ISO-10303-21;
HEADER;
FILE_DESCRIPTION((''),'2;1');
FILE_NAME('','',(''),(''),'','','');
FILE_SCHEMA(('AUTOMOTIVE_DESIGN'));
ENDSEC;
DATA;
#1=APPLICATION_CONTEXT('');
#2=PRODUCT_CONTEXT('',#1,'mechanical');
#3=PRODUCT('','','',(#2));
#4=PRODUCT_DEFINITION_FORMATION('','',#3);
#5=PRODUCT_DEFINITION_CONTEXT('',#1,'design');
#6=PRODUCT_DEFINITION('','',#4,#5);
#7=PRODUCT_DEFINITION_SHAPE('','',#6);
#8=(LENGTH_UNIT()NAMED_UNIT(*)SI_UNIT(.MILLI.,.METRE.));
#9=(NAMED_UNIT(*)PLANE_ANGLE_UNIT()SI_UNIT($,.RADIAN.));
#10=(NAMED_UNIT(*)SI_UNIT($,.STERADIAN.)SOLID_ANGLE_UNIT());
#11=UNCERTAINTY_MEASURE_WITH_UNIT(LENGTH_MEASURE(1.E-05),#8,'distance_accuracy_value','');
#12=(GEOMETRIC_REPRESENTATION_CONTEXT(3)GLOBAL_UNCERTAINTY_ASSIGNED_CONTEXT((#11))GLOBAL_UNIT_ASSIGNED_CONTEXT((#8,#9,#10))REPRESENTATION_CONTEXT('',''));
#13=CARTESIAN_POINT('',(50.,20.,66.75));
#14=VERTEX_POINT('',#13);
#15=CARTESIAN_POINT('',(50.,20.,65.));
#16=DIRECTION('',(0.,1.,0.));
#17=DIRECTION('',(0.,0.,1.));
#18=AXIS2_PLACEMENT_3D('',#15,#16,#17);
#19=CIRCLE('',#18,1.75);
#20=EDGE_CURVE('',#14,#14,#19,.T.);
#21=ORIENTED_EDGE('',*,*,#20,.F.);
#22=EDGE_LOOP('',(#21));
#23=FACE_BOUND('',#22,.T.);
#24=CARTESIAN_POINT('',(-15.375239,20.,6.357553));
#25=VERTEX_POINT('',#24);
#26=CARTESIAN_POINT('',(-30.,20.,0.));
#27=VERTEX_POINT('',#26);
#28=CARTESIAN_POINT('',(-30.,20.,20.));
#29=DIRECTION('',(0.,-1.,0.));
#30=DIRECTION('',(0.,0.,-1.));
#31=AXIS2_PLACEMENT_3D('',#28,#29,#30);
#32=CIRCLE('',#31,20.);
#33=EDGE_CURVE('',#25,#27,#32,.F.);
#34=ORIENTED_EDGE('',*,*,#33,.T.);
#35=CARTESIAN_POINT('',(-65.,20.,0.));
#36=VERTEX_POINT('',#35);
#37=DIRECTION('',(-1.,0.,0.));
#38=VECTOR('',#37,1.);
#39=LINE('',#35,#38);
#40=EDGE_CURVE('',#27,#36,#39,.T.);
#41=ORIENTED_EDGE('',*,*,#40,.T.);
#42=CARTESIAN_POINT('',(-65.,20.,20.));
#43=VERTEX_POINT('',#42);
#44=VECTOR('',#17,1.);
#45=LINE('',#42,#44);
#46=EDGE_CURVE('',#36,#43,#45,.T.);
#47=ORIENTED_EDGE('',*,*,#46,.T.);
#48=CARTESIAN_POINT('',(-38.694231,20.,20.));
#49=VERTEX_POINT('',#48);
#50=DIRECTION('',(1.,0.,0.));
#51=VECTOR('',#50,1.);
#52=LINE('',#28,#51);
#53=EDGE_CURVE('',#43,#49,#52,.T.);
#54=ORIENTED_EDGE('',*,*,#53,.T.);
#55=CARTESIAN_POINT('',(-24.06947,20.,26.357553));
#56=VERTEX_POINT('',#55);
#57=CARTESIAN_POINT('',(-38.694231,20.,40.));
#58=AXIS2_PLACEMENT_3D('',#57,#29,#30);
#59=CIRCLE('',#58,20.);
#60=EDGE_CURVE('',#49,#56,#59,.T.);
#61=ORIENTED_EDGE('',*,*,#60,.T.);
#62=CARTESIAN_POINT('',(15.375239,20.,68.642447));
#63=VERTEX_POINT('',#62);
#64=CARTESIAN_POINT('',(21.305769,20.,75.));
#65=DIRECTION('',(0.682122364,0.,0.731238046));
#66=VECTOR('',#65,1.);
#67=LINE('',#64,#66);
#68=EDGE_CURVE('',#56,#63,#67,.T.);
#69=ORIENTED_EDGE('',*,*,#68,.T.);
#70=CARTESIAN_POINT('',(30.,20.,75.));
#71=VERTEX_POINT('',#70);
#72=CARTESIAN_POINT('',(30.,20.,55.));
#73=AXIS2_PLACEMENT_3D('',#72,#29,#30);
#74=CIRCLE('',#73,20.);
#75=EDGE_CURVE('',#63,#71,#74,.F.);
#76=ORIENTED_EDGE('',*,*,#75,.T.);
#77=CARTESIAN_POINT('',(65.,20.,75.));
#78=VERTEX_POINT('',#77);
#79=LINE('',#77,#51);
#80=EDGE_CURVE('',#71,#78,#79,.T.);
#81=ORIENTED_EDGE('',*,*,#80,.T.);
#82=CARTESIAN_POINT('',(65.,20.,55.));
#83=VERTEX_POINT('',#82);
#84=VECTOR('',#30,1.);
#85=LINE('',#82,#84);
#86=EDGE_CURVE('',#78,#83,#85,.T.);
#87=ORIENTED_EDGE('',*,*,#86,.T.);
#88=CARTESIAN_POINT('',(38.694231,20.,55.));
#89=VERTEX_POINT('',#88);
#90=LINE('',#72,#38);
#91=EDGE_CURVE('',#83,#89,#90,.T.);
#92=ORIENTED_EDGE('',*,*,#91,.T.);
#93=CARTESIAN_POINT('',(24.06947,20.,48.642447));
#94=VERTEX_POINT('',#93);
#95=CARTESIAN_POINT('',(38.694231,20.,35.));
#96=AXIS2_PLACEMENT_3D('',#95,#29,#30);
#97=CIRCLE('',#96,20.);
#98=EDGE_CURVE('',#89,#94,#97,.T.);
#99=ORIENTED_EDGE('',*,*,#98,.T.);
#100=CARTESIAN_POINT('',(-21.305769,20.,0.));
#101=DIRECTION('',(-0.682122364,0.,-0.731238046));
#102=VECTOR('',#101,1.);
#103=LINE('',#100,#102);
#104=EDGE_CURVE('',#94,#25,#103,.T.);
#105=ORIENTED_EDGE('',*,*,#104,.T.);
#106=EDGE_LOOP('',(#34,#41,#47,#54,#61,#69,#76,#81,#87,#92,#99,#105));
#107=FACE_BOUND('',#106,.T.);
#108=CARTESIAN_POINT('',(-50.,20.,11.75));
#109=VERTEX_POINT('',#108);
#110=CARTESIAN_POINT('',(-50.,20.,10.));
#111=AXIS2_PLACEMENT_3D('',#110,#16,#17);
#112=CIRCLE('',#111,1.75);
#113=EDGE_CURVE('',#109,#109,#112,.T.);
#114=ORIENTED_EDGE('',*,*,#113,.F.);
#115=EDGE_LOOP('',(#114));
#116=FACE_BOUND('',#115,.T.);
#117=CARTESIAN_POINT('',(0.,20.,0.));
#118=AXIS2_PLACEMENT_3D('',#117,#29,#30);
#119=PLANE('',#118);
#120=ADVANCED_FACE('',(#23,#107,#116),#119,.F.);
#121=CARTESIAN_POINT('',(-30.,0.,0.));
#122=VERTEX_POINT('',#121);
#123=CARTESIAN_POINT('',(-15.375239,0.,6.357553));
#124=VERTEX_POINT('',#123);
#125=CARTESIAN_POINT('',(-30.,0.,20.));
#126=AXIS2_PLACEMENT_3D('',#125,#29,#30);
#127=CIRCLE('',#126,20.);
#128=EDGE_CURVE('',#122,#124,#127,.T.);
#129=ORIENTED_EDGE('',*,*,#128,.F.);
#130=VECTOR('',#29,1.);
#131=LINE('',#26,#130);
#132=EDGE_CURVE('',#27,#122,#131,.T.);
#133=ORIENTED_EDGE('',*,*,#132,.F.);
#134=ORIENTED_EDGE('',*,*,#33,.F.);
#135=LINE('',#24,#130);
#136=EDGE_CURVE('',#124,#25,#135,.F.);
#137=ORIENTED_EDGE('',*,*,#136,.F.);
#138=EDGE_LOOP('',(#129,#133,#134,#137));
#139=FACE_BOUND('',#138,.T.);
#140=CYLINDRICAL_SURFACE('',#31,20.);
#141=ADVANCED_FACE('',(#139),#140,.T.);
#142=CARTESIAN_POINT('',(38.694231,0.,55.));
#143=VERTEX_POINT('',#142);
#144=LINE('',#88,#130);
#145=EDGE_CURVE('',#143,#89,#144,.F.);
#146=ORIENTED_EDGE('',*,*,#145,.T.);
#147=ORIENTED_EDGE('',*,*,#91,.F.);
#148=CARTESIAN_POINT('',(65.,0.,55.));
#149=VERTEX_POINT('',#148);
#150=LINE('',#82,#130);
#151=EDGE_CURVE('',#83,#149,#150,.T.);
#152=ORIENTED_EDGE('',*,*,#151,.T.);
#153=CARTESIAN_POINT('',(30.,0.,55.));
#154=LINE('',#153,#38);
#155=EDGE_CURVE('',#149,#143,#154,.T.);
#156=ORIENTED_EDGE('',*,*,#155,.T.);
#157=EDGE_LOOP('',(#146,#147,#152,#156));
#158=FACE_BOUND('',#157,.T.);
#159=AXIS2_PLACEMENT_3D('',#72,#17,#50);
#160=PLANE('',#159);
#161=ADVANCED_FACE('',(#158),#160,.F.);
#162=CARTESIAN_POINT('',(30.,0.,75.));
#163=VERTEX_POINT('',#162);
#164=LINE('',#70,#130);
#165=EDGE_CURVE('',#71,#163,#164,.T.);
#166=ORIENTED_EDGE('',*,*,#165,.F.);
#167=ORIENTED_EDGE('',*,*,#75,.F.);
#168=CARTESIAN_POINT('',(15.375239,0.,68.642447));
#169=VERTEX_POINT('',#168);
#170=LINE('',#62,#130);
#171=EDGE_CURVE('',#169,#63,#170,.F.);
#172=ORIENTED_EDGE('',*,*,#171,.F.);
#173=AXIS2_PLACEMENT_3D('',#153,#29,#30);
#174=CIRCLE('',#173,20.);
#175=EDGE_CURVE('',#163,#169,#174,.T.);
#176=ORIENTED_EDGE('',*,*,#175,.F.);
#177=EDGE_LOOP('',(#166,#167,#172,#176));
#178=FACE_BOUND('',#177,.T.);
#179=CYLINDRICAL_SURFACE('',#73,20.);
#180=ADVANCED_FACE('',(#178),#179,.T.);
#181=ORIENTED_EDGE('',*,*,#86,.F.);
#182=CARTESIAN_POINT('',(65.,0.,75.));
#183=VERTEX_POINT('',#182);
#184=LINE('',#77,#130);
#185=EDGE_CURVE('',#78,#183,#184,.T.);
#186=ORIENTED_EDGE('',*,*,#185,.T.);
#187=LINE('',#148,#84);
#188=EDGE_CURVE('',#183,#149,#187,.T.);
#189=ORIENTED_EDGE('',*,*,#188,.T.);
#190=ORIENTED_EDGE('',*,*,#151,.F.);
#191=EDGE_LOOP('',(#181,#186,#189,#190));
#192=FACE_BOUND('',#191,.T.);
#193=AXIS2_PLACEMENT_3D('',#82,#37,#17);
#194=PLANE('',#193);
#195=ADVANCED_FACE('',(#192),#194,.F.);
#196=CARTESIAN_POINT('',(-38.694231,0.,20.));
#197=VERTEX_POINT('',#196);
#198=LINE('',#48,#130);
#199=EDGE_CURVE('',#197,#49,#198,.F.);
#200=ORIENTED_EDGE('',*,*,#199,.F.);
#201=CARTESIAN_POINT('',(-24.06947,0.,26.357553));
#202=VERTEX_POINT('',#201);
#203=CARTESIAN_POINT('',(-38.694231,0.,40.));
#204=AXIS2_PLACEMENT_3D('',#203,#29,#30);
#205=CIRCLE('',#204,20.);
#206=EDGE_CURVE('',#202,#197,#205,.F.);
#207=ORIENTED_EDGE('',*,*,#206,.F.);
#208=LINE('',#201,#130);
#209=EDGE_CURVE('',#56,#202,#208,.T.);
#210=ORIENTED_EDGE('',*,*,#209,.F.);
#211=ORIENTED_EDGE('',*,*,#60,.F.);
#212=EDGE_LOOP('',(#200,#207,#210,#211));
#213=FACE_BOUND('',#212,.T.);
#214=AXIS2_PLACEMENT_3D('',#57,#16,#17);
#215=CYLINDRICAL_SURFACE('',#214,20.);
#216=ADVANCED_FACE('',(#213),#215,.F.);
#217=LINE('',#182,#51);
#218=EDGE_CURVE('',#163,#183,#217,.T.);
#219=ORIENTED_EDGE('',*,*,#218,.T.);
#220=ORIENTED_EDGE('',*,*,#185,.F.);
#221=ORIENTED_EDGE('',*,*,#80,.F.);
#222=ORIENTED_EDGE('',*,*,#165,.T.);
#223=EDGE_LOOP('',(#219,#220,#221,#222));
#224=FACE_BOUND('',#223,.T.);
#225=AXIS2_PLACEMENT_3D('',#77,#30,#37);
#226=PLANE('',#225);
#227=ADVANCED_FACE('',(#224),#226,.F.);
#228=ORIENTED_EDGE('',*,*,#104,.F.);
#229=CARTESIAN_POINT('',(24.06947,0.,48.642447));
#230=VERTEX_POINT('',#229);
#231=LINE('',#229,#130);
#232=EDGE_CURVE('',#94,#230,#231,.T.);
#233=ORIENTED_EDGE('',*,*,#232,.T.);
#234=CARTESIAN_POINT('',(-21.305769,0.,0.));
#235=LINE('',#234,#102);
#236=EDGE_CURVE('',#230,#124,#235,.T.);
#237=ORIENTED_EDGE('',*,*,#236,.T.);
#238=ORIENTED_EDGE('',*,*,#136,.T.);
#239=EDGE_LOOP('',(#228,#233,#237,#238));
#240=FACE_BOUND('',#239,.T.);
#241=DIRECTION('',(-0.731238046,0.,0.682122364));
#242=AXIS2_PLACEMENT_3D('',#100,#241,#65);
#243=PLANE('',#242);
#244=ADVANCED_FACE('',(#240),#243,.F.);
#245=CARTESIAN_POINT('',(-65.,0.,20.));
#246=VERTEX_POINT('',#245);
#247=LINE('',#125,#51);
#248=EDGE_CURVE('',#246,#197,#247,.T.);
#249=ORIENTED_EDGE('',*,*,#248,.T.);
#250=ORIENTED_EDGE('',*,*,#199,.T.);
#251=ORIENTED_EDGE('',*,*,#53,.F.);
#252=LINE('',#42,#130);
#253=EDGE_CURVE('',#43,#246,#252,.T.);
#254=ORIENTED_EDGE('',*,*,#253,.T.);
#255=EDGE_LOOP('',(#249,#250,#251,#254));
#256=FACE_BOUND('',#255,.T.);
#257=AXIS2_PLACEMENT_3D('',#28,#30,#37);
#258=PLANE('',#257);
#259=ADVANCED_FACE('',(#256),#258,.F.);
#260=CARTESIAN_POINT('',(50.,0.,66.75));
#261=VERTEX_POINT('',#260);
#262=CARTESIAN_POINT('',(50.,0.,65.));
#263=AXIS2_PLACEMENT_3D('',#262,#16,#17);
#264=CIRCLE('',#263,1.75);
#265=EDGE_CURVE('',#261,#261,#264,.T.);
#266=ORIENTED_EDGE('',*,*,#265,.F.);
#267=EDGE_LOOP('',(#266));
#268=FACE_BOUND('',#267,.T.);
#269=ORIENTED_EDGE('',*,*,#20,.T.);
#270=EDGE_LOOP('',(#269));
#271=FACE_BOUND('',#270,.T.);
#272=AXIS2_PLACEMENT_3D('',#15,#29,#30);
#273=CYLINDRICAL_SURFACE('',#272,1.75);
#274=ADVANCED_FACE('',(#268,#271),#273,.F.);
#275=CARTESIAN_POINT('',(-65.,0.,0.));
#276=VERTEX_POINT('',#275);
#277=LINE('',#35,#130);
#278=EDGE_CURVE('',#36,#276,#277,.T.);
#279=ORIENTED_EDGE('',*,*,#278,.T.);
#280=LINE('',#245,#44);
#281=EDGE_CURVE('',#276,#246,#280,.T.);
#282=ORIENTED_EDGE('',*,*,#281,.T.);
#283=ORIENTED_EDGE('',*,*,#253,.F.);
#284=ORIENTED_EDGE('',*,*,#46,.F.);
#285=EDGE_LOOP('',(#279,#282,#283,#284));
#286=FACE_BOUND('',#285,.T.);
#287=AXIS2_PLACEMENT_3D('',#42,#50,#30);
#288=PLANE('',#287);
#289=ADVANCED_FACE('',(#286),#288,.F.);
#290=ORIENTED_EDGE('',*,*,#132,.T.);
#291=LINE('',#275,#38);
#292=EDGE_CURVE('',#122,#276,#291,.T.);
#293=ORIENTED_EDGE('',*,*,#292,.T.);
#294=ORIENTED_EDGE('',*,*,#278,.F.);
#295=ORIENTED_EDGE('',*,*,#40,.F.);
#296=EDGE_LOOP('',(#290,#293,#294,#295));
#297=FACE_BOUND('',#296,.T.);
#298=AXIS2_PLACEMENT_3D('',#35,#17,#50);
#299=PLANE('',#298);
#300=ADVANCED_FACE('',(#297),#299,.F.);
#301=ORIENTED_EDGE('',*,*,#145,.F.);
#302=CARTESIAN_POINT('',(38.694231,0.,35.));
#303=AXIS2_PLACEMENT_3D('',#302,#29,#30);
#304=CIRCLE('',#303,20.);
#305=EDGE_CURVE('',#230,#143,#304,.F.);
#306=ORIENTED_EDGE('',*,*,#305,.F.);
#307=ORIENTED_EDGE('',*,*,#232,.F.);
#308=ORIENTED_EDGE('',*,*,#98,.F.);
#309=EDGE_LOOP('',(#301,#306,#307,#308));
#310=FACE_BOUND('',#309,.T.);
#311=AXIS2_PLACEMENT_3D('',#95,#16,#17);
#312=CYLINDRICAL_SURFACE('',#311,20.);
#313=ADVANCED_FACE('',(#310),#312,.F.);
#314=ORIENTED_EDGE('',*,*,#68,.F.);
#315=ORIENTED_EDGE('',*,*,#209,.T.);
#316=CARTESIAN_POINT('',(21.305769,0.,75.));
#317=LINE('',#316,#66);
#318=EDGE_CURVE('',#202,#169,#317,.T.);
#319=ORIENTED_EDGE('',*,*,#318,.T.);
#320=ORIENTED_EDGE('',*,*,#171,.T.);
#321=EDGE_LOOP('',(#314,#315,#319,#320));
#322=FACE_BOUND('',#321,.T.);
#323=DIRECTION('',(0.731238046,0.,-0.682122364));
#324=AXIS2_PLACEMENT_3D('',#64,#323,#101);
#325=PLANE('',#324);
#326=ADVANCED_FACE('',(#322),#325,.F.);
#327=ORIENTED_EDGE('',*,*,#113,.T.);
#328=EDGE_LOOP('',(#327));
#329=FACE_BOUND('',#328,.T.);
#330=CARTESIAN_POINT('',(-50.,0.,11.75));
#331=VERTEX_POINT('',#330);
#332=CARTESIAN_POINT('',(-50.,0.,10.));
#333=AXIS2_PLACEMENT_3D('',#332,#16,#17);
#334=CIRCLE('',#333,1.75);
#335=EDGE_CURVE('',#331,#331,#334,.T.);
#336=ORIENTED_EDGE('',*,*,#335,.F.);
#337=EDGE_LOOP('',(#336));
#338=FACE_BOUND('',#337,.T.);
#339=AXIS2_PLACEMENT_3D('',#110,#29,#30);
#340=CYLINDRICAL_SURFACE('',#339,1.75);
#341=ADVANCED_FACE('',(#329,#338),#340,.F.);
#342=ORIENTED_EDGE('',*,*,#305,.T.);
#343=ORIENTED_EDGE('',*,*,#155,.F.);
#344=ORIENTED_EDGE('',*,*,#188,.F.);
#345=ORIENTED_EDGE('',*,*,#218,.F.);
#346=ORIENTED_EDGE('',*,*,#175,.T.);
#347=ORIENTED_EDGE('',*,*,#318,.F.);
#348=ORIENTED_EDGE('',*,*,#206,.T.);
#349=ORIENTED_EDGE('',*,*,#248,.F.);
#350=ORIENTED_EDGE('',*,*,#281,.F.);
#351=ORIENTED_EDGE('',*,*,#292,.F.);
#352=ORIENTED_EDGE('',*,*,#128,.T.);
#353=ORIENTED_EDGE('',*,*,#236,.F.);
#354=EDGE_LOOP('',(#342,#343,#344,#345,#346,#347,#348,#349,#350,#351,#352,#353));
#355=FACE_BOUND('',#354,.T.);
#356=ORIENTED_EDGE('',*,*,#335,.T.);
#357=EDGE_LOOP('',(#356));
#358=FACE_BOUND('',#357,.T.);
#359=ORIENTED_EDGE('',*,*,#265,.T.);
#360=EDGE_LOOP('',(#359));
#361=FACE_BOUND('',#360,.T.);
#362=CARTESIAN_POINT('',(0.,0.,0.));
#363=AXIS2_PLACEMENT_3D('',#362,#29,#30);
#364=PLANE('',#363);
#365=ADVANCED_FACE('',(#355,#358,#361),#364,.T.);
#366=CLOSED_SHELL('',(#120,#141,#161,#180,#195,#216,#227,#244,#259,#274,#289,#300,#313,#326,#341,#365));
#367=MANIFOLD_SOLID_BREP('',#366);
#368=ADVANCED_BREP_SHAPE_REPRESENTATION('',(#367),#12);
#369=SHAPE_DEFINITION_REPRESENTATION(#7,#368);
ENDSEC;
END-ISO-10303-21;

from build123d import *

# Parameters (mm, degrees)
CROQUIS1_R              = 1.75
SALIENTE_EXTRUIR1_DEPTH = 20
REDONDEO1_R             = 20


with BuildPart() as part:
    # Croquis1 → Saliente-Extruir1 (new body)
    with BuildSketch(Plane(origin=(0, 0, 0), x_dir=(1, 0, 0), z_dir=(0, 1, 0))):
        Polygon((-65, 0), (-21.305768696, 0), (30, -55), (65, -55), (65, -75), (21.305768696, -75), (-30, -20), (-65, -20), align=None)
        with Locations(Location((-50, -10, 0), (0, 0, 270))):
            Circle(CROQUIS1_R, mode=Mode.SUBTRACT)
        with Locations(Location((50, -65, 0), (0, 0, 270))):
            Circle(CROQUIS1_R, mode=Mode.SUBTRACT)
    extrude(amount=SALIENTE_EXTRUIR1_DEPTH)

    # Redondeo1
    redondeo1_edges = [part.edges().sort_by_distance(p)[0] for p in [
        (-21.305768696, 10, 0),
        (30, 10, 55),
        (21.305768696, 10, 75),
        (-30, 10, 20),
    ]]
    fillet(redondeo1_edges, radius=REDONDEO1_R)


solid = part.part
